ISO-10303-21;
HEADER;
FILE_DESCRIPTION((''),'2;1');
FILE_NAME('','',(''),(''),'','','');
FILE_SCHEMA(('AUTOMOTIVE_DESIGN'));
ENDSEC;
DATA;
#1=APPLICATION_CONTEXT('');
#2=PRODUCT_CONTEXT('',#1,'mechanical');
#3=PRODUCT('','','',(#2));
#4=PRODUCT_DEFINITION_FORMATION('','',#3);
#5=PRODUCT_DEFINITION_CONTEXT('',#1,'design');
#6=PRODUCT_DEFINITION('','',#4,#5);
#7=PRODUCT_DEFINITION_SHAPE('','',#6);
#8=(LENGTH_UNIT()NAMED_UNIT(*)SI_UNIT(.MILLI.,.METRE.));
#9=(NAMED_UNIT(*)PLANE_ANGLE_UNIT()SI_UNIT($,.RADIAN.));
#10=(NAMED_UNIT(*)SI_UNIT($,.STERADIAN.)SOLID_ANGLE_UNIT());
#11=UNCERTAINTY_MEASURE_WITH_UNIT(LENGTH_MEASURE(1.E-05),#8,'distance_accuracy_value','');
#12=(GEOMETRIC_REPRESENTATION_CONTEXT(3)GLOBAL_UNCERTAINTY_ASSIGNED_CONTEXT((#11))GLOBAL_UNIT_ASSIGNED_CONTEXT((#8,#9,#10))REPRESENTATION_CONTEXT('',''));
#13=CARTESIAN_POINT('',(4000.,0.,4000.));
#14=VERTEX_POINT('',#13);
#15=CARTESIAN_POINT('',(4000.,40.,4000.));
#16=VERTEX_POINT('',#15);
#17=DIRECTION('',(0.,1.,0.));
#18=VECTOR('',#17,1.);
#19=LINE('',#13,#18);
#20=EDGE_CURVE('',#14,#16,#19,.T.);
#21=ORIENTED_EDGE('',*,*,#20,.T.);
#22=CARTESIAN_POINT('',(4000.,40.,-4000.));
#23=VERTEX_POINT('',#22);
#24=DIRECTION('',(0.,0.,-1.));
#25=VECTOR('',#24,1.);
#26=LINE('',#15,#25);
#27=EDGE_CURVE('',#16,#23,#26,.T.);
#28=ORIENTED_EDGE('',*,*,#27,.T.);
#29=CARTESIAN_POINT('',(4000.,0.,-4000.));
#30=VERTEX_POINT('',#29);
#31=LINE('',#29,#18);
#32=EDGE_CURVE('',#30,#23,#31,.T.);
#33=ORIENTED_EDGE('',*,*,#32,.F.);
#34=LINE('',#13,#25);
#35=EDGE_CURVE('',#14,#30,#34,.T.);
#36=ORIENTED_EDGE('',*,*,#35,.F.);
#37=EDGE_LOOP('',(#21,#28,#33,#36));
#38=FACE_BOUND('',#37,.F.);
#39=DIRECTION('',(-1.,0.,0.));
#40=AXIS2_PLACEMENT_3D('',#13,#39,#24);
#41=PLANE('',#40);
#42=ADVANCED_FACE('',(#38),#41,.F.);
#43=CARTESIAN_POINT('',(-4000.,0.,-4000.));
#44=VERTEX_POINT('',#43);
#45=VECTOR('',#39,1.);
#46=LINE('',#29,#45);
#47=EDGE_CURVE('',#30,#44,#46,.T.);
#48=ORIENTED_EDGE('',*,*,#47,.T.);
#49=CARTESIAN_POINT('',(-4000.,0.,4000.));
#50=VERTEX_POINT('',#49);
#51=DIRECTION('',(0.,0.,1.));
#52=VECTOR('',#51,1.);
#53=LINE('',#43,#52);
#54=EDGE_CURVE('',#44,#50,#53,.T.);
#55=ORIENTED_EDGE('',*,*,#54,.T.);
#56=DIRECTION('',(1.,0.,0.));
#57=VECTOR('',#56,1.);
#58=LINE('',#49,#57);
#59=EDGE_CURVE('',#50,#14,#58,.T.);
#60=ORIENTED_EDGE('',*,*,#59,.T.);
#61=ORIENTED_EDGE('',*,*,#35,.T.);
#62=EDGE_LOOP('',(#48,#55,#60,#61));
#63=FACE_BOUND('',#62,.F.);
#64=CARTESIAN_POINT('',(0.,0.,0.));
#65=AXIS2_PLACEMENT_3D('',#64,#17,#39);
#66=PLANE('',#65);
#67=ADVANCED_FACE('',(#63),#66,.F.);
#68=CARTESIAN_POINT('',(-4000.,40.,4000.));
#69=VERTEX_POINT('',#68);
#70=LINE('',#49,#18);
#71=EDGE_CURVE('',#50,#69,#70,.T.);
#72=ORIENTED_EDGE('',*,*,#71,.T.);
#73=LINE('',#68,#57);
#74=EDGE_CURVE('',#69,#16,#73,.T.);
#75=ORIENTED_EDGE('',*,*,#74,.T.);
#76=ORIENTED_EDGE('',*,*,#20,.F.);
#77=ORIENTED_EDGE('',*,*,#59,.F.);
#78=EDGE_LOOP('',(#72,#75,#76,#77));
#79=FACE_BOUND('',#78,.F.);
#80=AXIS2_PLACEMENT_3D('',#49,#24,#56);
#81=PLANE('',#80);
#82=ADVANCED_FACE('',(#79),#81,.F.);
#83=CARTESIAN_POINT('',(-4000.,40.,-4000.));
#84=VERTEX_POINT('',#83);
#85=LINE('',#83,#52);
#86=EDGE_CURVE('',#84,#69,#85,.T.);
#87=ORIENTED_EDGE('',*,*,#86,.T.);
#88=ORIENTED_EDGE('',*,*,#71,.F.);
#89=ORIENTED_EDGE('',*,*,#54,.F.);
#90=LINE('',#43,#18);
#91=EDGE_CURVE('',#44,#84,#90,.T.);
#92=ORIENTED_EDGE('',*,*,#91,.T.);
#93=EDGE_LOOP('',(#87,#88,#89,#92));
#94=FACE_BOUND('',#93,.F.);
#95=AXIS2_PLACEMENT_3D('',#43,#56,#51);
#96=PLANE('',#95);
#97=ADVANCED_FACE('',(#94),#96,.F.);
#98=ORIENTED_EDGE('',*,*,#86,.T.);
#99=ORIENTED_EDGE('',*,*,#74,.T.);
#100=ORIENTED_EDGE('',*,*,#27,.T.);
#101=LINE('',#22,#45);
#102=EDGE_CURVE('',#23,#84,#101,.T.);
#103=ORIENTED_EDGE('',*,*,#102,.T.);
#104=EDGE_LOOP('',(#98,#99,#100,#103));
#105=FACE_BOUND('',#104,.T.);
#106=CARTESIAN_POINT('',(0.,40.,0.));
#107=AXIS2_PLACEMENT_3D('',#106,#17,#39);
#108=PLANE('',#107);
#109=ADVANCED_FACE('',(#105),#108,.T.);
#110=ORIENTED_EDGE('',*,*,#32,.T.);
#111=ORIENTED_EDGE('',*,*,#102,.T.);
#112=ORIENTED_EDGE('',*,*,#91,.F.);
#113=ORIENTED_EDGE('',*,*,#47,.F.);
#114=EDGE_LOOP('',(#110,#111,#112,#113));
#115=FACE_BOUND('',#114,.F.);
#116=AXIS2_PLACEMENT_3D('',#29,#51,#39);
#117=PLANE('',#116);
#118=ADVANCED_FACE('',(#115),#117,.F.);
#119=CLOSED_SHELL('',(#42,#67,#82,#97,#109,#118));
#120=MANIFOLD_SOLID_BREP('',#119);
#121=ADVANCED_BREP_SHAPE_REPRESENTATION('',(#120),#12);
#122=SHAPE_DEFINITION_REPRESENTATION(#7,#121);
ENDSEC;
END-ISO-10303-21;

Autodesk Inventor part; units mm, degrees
ref_plane "YZ Plane" through (0, 0, 0) normal (1, 0, 0) x (0, 1, 0)
ref_plane "XZ Plane" through (0, 0, 0) normal (0, 1, 0) x (-1, 0, 0)
ref_plane "XY Plane" through (0, 0, 0) normal (0, 0, 1) x (1, 0, 0)
sketch "Esquisse2" plane through (0, 0, 0) normal (0, 1, 0) x (-1, 0, 0)
  line L0 (4000, 4000) -> (-4000, 4000)
  line L1 (-4000, 4000) -> (-4000, -4000)
  line L2 (-4000, -4000) -> (4000, -4000)
  line L3 (4000, -4000) -> (4000, 4000)
  line L4 (0, -5600) -> (0, 5600) construction
  line L5 (-5600, 0) -> (5600, 0) construction
  point P0 (0, 0)
  dimension "d0" = 8000
  dimension "d1" = 8000
  dimension "d2" = 4000
  dimension "d3" = 4000
extrude "Extrusion1" add sketch "Esquisse2" along normal blind 40
properties part number "P002_plancher"
